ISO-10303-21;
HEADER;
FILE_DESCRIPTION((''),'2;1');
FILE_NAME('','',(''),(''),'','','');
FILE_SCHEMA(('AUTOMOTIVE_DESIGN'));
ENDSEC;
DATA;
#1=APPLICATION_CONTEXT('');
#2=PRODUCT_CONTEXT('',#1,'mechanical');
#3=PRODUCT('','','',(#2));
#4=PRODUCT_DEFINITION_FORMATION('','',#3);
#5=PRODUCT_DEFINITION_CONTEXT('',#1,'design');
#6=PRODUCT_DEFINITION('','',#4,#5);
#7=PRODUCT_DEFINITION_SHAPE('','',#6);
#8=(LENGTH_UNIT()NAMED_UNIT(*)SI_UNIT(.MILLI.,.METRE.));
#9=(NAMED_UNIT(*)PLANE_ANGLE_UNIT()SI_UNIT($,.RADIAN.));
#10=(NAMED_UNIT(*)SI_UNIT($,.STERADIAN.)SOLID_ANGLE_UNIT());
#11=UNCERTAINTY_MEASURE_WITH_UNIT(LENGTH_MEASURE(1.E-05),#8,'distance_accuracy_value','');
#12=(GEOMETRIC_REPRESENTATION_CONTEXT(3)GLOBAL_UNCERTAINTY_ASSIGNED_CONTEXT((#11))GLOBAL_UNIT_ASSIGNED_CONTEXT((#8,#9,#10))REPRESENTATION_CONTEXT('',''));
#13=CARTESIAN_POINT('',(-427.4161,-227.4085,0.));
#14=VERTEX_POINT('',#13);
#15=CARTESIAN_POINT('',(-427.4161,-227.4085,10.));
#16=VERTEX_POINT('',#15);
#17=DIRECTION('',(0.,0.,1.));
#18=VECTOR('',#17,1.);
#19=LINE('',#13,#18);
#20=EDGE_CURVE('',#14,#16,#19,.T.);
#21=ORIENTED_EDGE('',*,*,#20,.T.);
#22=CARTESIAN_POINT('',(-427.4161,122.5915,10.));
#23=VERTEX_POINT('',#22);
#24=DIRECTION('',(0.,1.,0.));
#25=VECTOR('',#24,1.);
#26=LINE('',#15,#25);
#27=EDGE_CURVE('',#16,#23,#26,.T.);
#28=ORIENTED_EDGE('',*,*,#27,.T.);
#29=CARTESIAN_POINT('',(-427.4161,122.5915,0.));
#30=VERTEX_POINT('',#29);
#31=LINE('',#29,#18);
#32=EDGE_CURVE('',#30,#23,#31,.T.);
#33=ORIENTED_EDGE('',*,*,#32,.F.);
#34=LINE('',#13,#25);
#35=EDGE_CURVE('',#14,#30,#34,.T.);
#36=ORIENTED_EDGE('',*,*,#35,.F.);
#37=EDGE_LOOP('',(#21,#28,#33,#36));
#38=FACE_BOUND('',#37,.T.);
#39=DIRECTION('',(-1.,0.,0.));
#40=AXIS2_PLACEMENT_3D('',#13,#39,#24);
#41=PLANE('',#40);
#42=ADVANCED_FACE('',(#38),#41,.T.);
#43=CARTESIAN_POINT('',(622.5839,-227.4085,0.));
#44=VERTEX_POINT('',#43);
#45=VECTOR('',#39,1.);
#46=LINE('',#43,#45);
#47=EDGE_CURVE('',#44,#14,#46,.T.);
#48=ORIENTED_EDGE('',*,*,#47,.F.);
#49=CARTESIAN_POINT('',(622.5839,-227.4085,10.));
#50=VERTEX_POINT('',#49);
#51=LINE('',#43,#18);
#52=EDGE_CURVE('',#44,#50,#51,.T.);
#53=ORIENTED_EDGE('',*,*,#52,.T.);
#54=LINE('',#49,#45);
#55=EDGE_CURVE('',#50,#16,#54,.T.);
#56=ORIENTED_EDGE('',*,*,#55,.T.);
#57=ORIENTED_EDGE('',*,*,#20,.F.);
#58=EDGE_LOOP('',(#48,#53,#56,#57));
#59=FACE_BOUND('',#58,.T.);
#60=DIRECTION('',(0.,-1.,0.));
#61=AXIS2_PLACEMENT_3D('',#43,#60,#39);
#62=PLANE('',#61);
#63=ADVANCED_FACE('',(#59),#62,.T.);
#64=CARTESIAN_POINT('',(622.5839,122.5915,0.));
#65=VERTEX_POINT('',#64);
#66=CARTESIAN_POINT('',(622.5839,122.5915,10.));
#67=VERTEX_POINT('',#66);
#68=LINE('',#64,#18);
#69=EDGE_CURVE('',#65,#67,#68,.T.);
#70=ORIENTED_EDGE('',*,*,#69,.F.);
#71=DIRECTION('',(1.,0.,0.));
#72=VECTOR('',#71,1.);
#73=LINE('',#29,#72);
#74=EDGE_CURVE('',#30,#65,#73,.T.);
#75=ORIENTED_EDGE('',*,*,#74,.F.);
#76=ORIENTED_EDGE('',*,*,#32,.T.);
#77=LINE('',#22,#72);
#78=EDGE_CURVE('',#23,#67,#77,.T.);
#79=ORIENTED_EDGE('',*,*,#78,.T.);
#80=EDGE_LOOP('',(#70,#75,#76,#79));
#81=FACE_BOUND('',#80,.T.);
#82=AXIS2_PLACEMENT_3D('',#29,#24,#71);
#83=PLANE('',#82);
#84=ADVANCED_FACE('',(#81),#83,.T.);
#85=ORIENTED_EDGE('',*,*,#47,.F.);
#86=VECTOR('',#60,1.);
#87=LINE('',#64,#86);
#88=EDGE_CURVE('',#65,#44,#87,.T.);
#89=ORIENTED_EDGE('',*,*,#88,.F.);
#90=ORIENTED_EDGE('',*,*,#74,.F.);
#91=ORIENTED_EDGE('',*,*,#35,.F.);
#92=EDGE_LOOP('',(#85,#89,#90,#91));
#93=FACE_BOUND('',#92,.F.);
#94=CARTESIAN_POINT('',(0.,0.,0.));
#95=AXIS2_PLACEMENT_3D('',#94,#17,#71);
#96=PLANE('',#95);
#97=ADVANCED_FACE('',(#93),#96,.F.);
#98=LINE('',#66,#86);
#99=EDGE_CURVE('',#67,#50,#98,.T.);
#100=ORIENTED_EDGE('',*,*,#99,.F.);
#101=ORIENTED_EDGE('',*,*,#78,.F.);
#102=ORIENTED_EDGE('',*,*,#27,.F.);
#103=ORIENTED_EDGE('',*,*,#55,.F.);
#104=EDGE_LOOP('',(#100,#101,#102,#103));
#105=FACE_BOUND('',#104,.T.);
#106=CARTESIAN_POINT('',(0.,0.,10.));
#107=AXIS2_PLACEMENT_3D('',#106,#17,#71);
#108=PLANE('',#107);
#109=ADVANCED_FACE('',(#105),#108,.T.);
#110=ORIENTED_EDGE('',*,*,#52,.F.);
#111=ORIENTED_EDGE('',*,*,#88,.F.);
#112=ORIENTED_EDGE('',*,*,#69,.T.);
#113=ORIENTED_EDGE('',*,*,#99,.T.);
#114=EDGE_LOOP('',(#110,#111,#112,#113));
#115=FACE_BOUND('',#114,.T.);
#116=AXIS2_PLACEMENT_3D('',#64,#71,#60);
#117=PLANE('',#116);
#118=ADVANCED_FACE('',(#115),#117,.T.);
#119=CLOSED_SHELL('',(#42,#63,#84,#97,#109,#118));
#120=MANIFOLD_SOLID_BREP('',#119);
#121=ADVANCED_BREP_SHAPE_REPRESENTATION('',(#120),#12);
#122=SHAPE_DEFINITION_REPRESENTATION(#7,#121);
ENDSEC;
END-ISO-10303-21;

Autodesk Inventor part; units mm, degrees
ref_plane "YZ Plane" through (0, 0, 0) normal (1, 0, 0) x (0, 1, 0)
ref_plane "XZ Plane" through (0, 0, 0) normal (0, 1, 0) x (-1, 0, 0)
ref_plane "XY Plane" through (0, 0, 0) normal (0, 0, 1) x (1, 0, 0)
sketch "Sketch1" plane through (0, 0, 0) normal (0, 0, 1) x (1, 0, 0)
  line L0 (97.5839, -88.8585) -> (97.5839, -84.5585) projected
  line L1 (97.5839, -88.8585) -> (532.0839, -88.8585) projected
  arc A0 (572.9339, -129.7085) -> (532.0839, -88.8585) centre (532.0839, -129.7085) ccw projected
  line L2 (572.9339, -129.7085) -> (572.9339, -137.9085) projected
  arc A1 (532.0839, -178.7585) -> (572.9339, -137.9085) centre (532.0839, -137.9085) ccw projected
  line L3 (532.0839, -178.7585) -> (-336.9161, -178.7585) projected
  arc A2 (-377.7661, -137.9085) -> (-336.9161, -178.7585) centre (-336.9161, -137.9085) ccw projected
  line L4 (-377.7661, -137.9085) -> (-377.7661, -118.2752) projected
  arc A3 (-336.9161, -77.4252) -> (-377.7661, -118.2752) centre (-336.9161, -118.2752) ccw projected
  line L5 (-336.9161, -77.4252) -> (543.3339, -77.4252) projected
  arc A4 (584.1839, -118.2752) -> (543.3339, -77.4252) centre (543.3339, -118.2752) ccw projected
  line L6 (584.1839, -118.2752) -> (584.1839, -148.6585) projected
  arc A5 (543.3339, -189.5085) -> (584.1839, -148.6585) centre (543.3339, -148.6585) ccw projected
  line L7 (543.3339, -189.5085) -> (-348.1661, -189.5085) projected
  arc A6 (-389.0161, -148.6585) -> (-348.1661, -189.5085) centre (-348.1661, -148.6585) ccw projected
  line L8 (-389.0161, -148.6585) -> (-389.0161, -106.8419) projected
  arc A7 (-348.1661, -65.9919) -> (-389.0161, -106.8419) centre (-348.1661, -106.8419) ccw projected
  line L9 (-348.1661, -65.9919) -> (554.5839, -65.9919) projected
  arc A8 (595.4339, -106.8419) -> (554.5839, -65.9919) centre (554.5839, -106.8419) ccw projected
  line L10 (595.4339, -106.8419) -> (595.4339, -159.4085) projected
  arc A9 (554.5839, -200.2585) -> (595.4339, -159.4085) centre (554.5839, -159.4085) ccw projected
  line L11 (554.5839, -200.2585) -> (-359.4161, -200.2585) projected
  arc A10 (-400.2661, -159.4085) -> (-359.4161, -200.2585) centre (-359.4161, -159.4085) ccw projected
  line L12 (-400.2661, -159.4085) -> (-400.2661, -95.4085) projected
  arc A11 (-359.4161, -54.5585) -> (-400.2661, -95.4085) centre (-359.4161, -95.4085) ccw projected
  line L13 (-359.4161, -54.5585) -> (554.5839, -54.5585) projected
  arc A12 (554.5839, -54.5585) -> (599.7339, -9.4085) centre (554.5839, -9.4085) ccw projected
  line L14 (599.7339, -9.4085) -> (599.7339, 54.5915) projected
  arc A13 (599.7339, 54.5915) -> (554.5839, 99.7415) centre (554.5839, 54.5915) ccw projected
  line L15 (554.5839, 99.7415) -> (-359.4161, 99.7415) projected
  arc A14 (-359.4161, 99.7415) -> (-404.5661, 54.5915) centre (-359.4161, 54.5915) ccw projected
  line L16 (-404.5661, 54.5915) -> (-404.5661, 2.0248) projected
  arc A15 (-404.5661, 2.0248) -> (-359.4161, -43.1252) centre (-359.4161, 2.0248) ccw projected
  line L17 (-359.4161, -43.1252) -> (543.3339, -43.1252) projected
  arc A16 (543.3339, -43.1252) -> (588.4839, 2.0248) centre (543.3339, 2.0248) ccw projected
  line L18 (588.4839, 2.0248) -> (588.4839, 43.8415) projected
  arc A17 (588.4839, 43.8415) -> (543.3339, 88.9915) centre (543.3339, 43.8415) ccw projected
  line L19 (543.3339, 88.9915) -> (-348.1661, 88.9915) projected
  arc A18 (-348.1661, 88.9915) -> (-393.3161, 43.8415) centre (-348.1661, 43.8415) ccw projected
  line L20 (-393.3161, 43.8415) -> (-393.3161, 13.4581) projected
  arc A19 (-393.3161, 13.4581) -> (-348.1661, -31.6919) centre (-348.1661, 13.4581) ccw projected
  line L21 (-348.1661, -31.6919) -> (532.0839, -31.6919) projected
  arc A20 (532.0839, -31.6919) -> (577.2339, 13.4581) centre (532.0839, 13.4581) ccw projected
  line L22 (577.2339, 13.4581) -> (577.2339, 33.0915) projected
  arc A21 (577.2339, 33.0915) -> (532.0839, 78.2415) centre (532.0839, 33.0915) ccw projected
  line L23 (532.0839, 78.2415) -> (-336.9161, 78.2415) projected
  arc A22 (-336.9161, 78.2415) -> (-382.0661, 33.0915) centre (-336.9161, 33.0915) ccw projected
  line L24 (-382.0661, 33.0915) -> (-382.0661, 24.8915) projected
  arc A23 (-382.0661, 24.8915) -> (-336.9161, -20.2585) centre (-336.9161, 24.8915) ccw projected
  line L25 (-336.9161, -20.2585) -> (97.5839, -20.2585) projected
  line L26 (97.5839, -15.9585) -> (97.5839, -20.2585) projected
  line L27 (-336.9161, -15.9585) -> (97.5839, -15.9585) projected
  arc A24 (-377.7661, 24.8915) -> (-336.9161, -15.9585) centre (-336.9161, 24.8915) ccw projected
  line L28 (-377.7661, 33.0915) -> (-377.7661, 24.8915) projected
  arc A25 (-336.9161, 73.9415) -> (-377.7661, 33.0915) centre (-336.9161, 33.0915) ccw projected
  line L29 (532.0839, 73.9415) -> (-336.9161, 73.9415) projected
  arc A26 (572.9339, 33.0915) -> (532.0839, 73.9415) centre (532.0839, 33.0915) ccw projected
  line L30 (572.9339, 13.4581) -> (572.9339, 33.0915) projected
  arc A27 (532.0839, -27.3919) -> (572.9339, 13.4581) centre (532.0839, 13.4581) ccw projected
  line L31 (-348.1661, -27.3919) -> (532.0839, -27.3919) projected
  arc A28 (-389.0161, 13.4581) -> (-348.1661, -27.3919) centre (-348.1661, 13.4581) ccw projected
  line L32 (-389.0161, 43.8415) -> (-389.0161, 13.4581) projected
  arc A29 (-348.1661, 84.6915) -> (-389.0161, 43.8415) centre (-348.1661, 43.8415) ccw projected
  line L33 (543.3339, 84.6915) -> (-348.1661, 84.6915) projected
  arc A30 (584.1839, 43.8415) -> (543.3339, 84.6915) centre (543.3339, 43.8415) ccw projected
  line L34 (584.1839, 2.0248) -> (584.1839, 43.8415) projected
  arc A31 (543.3339, -38.8252) -> (584.1839, 2.0248) centre (543.3339, 2.0248) ccw projected
  line L35 (-359.4161, -38.8252) -> (543.3339, -38.8252) projected
  arc A32 (-400.2661, 2.0248) -> (-359.4161, -38.8252) centre (-359.4161, 2.0248) ccw projected
  line L36 (-400.2661, 54.5915) -> (-400.2661, 2.0248) projected
  arc A33 (-359.4161, 95.4415) -> (-400.2661, 54.5915) centre (-359.4161, 54.5915) ccw projected
  line L37 (554.5839, 95.4415) -> (-359.4161, 95.4415) projected
  arc A34 (595.4339, 54.5915) -> (554.5839, 95.4415) centre (554.5839, 54.5915) ccw projected
  line L38 (595.4339, -9.4085) -> (595.4339, 54.5915) projected
  arc A35 (554.5839, -50.2585) -> (595.4339, -9.4085) centre (554.5839, -9.4085) ccw projected
  line L39 (-359.4161, -50.2585) -> (554.5839, -50.2585) projected
  arc A36 (-359.4161, -50.2585) -> (-404.5661, -95.4085) centre (-359.4161, -95.4085) ccw projected
  line L40 (-404.5661, -159.4085) -> (-404.5661, -95.4085) projected
  arc A37 (-404.5661, -159.4085) -> (-359.4161, -204.5585) centre (-359.4161, -159.4085) ccw projected
  line L41 (554.5839, -204.5585) -> (-359.4161, -204.5585) projected
  arc A38 (554.5839, -204.5585) -> (599.7339, -159.4085) centre (554.5839, -159.4085) ccw projected
  line L42 (599.7339, -106.8419) -> (599.7339, -159.4085) projected
  arc A39 (599.7339, -106.8419) -> (554.5839, -61.6919) centre (554.5839, -106.8419) ccw projected
  line L43 (-348.1661, -61.6919) -> (554.5839, -61.6919) projected
  arc A40 (-348.1661, -61.6919) -> (-393.3161, -106.8419) centre (-348.1661, -106.8419) ccw projected
  line L44 (-393.3161, -148.6585) -> (-393.3161, -106.8419) projected
  arc A41 (-393.3161, -148.6585) -> (-348.1661, -193.8085) centre (-348.1661, -148.6585) ccw projected
  line L45 (543.3339, -193.8085) -> (-348.1661, -193.8085) projected
  arc A42 (543.3339, -193.8085) -> (588.4839, -148.6585) centre (543.3339, -148.6585) ccw projected
  line L46 (588.4839, -118.2752) -> (588.4839, -148.6585) projected
  arc A43 (588.4839, -118.2752) -> (543.3339, -73.1252) centre (543.3339, -118.2752) ccw projected
  line L47 (-336.9161, -73.1252) -> (543.3339, -73.1252) projected
  arc A44 (-336.9161, -73.1252) -> (-382.0661, -118.2752) centre (-336.9161, -118.2752) ccw projected
  line L48 (-382.0661, -137.9085) -> (-382.0661, -118.2752) projected
  arc A45 (-382.0661, -137.9085) -> (-336.9161, -183.0585) centre (-336.9161, -137.9085) ccw projected
  line L49 (532.0839, -183.0585) -> (-336.9161, -183.0585) projected
  arc A46 (532.0839, -183.0585) -> (577.2339, -137.9085) centre (532.0839, -137.9085) ccw projected
  line L50 (577.2339, -129.7085) -> (577.2339, -137.9085) projected
  arc A47 (577.2339, -129.7085) -> (532.0839, -84.5585) centre (532.0839, -129.7085) ccw projected
  line L51 (97.5839, -84.5585) -> (532.0839, -84.5585) projected
  line L52 (97.5839, -20.2585) -> (97.5839, -84.5585) construction
  line L53 (97.5839, -52.4085) -> (19.6066, -52.4085)
  line L54 (622.5839, -227.4085) -> (-427.4161, -227.4085)
  line L55 (-427.4161, -227.4085) -> (-427.4161, 122.5915)
  line L56 (-427.4161, 122.5915) -> (622.5839, 122.5915)
  line L57 (622.5839, 122.5915) -> (622.5839, -227.4085)
  line L58 (622.5839, -227.4085) -> (-427.4161, 122.5915) construction
  line L59 (-427.4161, -227.4085) -> (622.5839, 122.5915) construction
  point P0 (0, 0)
  dimension "d0" = 1050
  dimension "d1" = 350
extrude "Extrusion2" add sketch "Sketch1" along normal blind 10 contours L0 L51 A47 L50 A46 L49 A45 L48 A44 L47 A43 L46 A42 L45 A41 L44 A40 L43 A39 L42 A38 L41 A37 L40 A36 L39 A35 L38 A34 L37 A33 L36 A32 L35 A31 L34 A30 L33 A29 L32 A28 L31 A27 L30 A26 L29 A25 L28 A24 L27 L26 L25 A23 L24 A22 L23 A21 L22 A20 L21 A19 L20 A18 L19 A17 L18 A16 L17 A15 L16 A14 L15 A13 L14 A12 L13 A11 L12 A10 L11 A9 L10 A8 L9 A7 L8 A6 L7 A5 L6 A4 L5 A3 L4 A2 L3 A1 L2 A0 L1 | L54 L55 L56 L57
properties part number "PrimaryCoilCarLayer"
